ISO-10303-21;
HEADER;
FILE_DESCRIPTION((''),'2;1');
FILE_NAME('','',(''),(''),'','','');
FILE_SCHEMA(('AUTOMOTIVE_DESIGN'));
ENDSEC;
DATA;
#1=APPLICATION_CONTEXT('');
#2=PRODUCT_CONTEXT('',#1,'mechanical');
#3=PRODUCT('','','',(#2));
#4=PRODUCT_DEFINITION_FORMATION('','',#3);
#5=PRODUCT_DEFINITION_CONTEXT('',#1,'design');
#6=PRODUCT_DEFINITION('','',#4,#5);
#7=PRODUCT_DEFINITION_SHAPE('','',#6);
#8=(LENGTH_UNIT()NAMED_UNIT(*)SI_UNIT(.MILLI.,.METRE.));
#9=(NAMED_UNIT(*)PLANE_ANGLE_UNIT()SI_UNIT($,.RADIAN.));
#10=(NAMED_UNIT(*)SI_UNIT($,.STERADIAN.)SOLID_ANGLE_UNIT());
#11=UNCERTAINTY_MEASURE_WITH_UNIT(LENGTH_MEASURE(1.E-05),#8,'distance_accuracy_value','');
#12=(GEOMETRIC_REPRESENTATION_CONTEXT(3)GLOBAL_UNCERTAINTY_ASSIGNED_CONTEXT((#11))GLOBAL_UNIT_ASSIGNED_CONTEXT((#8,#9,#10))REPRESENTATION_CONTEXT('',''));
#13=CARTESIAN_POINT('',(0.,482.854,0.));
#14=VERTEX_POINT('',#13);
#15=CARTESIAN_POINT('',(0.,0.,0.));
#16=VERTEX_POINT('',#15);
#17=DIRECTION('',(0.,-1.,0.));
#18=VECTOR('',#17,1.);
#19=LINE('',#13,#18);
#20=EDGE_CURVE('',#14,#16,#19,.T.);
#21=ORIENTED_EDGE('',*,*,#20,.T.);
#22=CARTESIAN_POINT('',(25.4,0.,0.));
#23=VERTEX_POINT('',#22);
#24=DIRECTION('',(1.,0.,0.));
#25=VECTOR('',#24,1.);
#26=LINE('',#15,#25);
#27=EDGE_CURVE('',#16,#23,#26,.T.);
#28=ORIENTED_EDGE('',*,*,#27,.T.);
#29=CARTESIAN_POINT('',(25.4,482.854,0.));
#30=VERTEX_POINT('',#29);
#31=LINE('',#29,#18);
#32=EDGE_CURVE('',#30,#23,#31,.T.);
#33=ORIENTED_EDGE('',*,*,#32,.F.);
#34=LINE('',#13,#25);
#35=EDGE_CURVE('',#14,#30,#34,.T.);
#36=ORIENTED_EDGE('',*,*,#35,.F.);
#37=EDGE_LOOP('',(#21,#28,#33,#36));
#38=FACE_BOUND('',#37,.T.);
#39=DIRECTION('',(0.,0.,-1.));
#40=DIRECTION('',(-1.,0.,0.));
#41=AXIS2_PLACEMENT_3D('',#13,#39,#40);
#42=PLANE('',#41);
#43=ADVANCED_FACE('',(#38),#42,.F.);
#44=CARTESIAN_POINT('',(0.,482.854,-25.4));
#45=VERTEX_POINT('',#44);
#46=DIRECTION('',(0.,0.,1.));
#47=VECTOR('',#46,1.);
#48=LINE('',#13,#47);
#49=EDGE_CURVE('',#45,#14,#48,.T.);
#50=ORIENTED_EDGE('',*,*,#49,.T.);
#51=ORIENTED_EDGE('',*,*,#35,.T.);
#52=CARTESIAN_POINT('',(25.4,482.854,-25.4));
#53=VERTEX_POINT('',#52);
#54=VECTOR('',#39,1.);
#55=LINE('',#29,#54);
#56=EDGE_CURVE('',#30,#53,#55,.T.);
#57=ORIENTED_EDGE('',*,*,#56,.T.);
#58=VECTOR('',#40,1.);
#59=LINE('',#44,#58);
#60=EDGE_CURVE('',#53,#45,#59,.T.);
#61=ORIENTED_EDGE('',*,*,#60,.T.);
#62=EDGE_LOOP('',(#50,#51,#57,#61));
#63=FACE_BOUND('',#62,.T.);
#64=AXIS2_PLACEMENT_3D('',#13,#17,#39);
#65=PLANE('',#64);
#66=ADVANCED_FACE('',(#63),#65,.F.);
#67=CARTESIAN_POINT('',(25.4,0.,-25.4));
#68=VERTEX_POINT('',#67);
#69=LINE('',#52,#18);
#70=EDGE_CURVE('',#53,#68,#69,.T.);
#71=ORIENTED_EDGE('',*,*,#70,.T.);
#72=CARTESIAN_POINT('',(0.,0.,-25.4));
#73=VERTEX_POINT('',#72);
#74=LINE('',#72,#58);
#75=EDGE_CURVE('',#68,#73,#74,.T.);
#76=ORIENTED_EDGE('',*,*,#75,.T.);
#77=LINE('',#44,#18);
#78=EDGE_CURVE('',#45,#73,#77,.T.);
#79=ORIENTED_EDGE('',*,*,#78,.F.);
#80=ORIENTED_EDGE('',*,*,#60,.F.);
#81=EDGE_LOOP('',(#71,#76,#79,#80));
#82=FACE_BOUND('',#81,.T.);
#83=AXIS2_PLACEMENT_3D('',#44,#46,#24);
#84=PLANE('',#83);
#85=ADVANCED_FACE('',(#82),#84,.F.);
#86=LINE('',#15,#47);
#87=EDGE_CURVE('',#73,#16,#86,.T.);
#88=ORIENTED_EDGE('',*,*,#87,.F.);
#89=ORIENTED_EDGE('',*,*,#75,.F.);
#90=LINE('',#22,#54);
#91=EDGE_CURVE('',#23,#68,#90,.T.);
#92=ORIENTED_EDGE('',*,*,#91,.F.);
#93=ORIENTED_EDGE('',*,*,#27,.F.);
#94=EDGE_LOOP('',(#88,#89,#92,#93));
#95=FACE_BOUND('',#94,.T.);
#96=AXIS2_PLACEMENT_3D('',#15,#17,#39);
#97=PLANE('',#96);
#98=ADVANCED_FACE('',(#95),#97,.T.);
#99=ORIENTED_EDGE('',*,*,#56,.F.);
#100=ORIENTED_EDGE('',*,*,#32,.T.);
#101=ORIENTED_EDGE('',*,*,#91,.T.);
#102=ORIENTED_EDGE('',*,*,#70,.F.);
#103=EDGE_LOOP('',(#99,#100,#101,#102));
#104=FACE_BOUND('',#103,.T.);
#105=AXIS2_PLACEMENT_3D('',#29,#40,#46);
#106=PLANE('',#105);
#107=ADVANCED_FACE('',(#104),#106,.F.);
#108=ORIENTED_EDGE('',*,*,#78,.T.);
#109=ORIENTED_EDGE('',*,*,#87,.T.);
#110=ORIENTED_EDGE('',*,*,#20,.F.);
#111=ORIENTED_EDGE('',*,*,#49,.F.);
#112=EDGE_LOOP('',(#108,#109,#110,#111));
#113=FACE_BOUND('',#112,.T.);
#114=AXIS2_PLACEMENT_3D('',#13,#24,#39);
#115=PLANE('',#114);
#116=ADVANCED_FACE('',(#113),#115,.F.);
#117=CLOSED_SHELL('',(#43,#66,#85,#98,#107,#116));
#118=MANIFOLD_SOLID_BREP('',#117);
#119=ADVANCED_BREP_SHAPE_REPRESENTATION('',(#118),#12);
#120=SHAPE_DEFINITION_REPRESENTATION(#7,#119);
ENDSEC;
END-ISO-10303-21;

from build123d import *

# Parameters (mm, degrees)
SKETCH1_W           = 25.4
SKETCH1_H           = 25.4
BOSS_EXTRUDE1_DEPTH = 482.854


with BuildPart() as part:
    # Sketch1 → Boss-Extrude1 (new body)
    with BuildSketch(Plane(origin=(0, 0, 0), x_dir=(1, 0, 0), z_dir=(0, 1, 0))):
        with Locations((12.7, 12.7)):
            Rectangle(SKETCH1_W, SKETCH1_H)
    extrude(amount=BOSS_EXTRUDE1_DEPTH)


solid = part.part
